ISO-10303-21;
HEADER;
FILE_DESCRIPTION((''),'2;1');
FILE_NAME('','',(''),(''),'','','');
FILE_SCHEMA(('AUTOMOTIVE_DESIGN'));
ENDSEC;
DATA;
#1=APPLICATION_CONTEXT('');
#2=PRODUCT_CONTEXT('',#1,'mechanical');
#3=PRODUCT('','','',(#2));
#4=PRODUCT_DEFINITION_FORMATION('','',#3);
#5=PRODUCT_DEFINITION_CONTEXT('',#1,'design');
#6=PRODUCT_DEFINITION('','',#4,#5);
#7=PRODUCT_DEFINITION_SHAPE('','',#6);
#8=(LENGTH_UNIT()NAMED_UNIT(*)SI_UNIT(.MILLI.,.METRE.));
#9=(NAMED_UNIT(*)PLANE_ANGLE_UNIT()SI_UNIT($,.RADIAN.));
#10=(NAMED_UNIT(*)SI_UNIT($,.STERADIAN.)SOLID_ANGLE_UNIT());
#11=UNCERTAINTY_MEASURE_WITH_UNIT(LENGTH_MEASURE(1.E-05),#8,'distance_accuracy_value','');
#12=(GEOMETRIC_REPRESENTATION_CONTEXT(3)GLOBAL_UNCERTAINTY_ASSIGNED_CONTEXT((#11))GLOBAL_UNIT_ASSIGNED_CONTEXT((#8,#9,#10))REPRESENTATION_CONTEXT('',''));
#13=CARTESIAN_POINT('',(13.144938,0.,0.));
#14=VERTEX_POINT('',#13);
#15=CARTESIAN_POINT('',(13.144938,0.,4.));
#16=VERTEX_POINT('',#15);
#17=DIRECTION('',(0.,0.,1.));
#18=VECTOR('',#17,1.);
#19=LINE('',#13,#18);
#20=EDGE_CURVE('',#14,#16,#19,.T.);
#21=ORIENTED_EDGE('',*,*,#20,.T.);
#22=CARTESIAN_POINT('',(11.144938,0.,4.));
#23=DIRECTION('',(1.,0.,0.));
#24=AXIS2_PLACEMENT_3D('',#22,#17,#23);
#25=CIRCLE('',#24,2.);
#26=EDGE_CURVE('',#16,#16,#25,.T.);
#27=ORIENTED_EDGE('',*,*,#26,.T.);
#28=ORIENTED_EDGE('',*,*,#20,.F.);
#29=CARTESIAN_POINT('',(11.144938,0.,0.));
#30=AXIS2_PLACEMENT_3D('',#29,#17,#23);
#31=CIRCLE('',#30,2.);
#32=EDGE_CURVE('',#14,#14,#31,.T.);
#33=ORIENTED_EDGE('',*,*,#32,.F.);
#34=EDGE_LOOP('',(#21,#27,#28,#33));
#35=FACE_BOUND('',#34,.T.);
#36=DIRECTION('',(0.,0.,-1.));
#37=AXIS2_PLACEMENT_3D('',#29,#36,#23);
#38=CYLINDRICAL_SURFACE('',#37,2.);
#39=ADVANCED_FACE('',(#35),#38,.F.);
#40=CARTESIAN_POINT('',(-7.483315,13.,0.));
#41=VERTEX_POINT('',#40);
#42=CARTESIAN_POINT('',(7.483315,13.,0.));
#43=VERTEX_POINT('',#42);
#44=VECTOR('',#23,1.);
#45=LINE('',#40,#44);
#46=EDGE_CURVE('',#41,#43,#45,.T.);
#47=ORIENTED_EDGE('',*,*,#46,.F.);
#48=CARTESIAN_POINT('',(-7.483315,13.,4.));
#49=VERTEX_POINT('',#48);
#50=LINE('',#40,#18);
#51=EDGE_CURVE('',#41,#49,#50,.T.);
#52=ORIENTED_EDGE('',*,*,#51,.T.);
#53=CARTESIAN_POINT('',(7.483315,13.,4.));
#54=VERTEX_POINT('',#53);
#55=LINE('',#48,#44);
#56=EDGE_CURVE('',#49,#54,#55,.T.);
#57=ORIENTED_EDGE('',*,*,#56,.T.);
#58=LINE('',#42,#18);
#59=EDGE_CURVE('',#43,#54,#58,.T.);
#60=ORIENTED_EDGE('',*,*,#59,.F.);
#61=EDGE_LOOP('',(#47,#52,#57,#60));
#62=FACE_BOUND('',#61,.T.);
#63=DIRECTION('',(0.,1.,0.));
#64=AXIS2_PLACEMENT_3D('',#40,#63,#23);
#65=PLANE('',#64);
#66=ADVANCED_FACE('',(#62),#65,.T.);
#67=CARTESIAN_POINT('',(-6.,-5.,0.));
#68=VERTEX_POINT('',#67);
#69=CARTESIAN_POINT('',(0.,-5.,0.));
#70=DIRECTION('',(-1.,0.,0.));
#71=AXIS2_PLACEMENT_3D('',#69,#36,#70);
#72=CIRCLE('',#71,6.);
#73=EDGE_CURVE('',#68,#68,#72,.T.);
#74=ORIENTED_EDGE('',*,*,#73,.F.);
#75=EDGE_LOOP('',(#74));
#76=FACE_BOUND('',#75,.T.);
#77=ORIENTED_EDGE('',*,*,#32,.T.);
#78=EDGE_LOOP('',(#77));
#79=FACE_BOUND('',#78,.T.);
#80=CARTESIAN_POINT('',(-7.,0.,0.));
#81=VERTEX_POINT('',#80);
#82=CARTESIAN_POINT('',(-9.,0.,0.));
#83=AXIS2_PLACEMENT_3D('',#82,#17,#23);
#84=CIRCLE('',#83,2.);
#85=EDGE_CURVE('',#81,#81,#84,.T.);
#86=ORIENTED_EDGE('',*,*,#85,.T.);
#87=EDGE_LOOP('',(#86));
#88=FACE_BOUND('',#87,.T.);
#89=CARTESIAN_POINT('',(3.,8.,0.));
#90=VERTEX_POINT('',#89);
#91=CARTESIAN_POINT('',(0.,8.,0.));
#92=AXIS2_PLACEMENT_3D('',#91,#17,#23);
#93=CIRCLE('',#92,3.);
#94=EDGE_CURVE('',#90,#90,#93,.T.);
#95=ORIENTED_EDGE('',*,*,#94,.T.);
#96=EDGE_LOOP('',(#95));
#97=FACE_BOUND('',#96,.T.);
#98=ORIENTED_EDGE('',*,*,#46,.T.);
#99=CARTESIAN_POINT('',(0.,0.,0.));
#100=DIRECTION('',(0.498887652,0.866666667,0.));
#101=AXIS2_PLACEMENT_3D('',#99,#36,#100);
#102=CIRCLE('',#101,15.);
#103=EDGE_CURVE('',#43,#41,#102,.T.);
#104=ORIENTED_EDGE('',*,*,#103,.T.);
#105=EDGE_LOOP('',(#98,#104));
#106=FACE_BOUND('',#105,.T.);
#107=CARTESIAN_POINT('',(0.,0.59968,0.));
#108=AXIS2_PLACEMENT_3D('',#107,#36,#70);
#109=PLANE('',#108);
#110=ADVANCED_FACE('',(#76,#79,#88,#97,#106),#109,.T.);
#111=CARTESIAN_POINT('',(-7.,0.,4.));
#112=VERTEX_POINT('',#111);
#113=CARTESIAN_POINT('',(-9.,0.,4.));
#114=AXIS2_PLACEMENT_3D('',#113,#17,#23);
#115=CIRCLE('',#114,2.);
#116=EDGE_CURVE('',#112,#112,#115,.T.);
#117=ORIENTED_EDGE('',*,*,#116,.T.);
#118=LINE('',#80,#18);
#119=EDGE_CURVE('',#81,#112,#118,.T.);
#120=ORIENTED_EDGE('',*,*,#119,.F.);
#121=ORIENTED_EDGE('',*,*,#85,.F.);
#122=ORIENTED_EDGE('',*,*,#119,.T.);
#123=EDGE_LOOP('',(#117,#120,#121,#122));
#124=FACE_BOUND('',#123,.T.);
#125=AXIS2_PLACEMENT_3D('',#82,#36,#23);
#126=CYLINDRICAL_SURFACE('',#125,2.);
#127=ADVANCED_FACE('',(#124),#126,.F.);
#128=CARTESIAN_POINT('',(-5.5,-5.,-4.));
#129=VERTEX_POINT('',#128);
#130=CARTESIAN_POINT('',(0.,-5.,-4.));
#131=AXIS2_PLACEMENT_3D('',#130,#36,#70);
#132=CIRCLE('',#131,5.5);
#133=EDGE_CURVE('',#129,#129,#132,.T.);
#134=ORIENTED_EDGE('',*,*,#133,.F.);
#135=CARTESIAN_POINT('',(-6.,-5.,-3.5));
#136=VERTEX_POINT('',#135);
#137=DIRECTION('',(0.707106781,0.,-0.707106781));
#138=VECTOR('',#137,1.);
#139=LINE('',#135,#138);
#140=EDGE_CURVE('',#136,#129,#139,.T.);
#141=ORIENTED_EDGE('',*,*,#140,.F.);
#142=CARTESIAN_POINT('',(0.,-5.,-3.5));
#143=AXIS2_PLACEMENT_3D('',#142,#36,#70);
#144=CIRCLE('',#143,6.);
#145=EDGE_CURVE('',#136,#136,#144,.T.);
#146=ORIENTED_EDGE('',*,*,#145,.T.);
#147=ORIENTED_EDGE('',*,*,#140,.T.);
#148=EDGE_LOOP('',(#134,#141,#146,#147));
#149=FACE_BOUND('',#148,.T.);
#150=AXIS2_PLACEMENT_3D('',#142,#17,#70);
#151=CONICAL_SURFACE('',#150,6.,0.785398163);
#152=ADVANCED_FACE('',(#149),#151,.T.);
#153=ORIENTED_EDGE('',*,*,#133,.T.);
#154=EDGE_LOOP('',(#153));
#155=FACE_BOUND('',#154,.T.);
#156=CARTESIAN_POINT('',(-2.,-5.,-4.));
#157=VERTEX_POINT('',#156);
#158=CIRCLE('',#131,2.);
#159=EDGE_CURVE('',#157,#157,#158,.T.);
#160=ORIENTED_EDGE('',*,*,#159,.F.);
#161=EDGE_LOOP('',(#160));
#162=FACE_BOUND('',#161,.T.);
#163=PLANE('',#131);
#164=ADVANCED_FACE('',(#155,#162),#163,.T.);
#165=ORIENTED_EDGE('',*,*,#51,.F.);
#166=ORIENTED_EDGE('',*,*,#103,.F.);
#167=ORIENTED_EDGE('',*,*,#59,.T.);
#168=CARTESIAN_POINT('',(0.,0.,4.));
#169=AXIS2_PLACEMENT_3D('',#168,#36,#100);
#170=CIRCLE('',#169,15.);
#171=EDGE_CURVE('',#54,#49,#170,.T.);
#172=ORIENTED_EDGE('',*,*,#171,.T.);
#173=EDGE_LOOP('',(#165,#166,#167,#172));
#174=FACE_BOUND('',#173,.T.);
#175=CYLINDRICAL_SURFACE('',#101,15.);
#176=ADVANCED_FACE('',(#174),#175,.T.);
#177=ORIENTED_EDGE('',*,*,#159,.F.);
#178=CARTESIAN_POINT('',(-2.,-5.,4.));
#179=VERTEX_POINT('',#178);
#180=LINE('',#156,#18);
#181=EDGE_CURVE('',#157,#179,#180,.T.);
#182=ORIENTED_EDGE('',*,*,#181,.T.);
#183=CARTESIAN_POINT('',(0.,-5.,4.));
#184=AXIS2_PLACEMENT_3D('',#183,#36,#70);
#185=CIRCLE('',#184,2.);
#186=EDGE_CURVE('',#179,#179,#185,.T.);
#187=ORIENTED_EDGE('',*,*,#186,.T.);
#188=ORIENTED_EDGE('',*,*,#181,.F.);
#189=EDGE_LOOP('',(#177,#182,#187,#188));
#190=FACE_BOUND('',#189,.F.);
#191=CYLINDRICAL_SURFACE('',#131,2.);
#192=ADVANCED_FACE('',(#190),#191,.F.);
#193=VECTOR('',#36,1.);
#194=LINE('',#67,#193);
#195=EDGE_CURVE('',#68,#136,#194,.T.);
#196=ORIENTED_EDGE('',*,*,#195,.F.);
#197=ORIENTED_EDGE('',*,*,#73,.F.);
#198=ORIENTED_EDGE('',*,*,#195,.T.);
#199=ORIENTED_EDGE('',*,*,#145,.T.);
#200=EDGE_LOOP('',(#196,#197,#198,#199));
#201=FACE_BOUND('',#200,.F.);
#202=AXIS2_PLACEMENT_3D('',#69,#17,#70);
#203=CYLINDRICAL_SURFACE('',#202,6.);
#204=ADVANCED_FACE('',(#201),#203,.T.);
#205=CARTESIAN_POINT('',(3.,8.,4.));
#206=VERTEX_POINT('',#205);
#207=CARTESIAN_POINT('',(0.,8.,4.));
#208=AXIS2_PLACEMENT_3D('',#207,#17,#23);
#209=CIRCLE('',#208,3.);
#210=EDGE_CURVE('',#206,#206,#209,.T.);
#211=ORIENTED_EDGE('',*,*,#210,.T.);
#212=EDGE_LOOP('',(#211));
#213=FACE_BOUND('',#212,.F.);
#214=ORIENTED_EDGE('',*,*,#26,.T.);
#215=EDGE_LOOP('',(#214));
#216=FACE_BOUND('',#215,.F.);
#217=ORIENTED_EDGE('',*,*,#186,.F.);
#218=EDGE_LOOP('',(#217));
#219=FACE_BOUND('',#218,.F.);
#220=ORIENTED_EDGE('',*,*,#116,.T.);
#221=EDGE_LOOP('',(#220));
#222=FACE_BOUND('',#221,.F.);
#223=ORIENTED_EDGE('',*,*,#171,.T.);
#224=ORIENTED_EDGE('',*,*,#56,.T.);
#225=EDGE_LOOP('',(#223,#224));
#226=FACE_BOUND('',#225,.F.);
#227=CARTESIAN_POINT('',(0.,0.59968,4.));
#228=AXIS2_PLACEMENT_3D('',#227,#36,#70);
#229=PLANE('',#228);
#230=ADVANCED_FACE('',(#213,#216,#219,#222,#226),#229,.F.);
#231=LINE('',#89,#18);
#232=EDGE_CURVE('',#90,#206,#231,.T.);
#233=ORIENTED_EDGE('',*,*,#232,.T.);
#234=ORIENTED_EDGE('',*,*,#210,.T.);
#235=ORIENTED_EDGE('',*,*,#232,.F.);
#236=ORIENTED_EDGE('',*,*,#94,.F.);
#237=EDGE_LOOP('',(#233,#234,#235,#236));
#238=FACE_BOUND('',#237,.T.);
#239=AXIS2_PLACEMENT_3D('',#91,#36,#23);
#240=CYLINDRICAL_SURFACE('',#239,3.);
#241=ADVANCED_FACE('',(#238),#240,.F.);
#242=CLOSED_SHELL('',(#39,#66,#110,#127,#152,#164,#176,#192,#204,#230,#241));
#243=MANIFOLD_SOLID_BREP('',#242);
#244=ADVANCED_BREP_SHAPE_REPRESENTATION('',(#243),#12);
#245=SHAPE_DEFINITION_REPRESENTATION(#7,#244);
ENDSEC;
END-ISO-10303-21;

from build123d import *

# Parameters (mm, degrees)
SKETCH1_R           = 3
SKETCH1_R_2         = 2
BOSS_EXTRUDE1_DEPTH = 4
SKETCH2_R           = 6
BOSS_EXTRUDE2_DEPTH = 4
SKETCH3_R           = 2
CUT_EXTRUDE1_DEPTH  = 9
CHAMFER1_SIZE       = 0.5


with BuildPart() as part:
    # Sketch1 → Boss-Extrude1 (new body)
    with BuildSketch(Plane.XY):
        with BuildLine():
            Line((-7.483314774, 13), (7.483314774, 13))
            ThreePointArc((7.483314774, 13), (0, -15), (-7.483314774, 13))
        make_face()
        with Locations((0, 8)):
            Circle(SKETCH1_R, mode=Mode.SUBTRACT)
        with Locations((-9, 0)):
            Circle(SKETCH1_R_2, mode=Mode.SUBTRACT)
        with Locations((11.144937976, 0)):
            Circle(SKETCH1_R_2, mode=Mode.SUBTRACT)
    extrude(amount=BOSS_EXTRUDE1_DEPTH)

    # Sketch2 → Boss-Extrude2 (add)
    with BuildSketch(Plane(origin=(0, 0, 0), x_dir=(-1, 0, 0), z_dir=(0, 0, -1))):
        with Locations((0, -5)):
            Circle(SKETCH2_R)
    extrude(amount=BOSS_EXTRUDE2_DEPTH)

    # Sketch3 → Cut-Extrude1 (cut, through all)
    with BuildSketch(Plane(origin=(0, 0, -4), x_dir=(-1, 0, 0), z_dir=(0, 0, -1))):
        with Locations((0, -5)):
            Circle(SKETCH3_R)
    extrude(amount=-CUT_EXTRUDE1_DEPTH, mode=Mode.SUBTRACT)

    # Chamfer1
    chamfer1_edges = [part.edges().sort_by_distance(p)[0] for p in [
        (6, -5, -4),
    ]]
    chamfer(chamfer1_edges, length=CHAMFER1_SIZE)


solid = part.part
